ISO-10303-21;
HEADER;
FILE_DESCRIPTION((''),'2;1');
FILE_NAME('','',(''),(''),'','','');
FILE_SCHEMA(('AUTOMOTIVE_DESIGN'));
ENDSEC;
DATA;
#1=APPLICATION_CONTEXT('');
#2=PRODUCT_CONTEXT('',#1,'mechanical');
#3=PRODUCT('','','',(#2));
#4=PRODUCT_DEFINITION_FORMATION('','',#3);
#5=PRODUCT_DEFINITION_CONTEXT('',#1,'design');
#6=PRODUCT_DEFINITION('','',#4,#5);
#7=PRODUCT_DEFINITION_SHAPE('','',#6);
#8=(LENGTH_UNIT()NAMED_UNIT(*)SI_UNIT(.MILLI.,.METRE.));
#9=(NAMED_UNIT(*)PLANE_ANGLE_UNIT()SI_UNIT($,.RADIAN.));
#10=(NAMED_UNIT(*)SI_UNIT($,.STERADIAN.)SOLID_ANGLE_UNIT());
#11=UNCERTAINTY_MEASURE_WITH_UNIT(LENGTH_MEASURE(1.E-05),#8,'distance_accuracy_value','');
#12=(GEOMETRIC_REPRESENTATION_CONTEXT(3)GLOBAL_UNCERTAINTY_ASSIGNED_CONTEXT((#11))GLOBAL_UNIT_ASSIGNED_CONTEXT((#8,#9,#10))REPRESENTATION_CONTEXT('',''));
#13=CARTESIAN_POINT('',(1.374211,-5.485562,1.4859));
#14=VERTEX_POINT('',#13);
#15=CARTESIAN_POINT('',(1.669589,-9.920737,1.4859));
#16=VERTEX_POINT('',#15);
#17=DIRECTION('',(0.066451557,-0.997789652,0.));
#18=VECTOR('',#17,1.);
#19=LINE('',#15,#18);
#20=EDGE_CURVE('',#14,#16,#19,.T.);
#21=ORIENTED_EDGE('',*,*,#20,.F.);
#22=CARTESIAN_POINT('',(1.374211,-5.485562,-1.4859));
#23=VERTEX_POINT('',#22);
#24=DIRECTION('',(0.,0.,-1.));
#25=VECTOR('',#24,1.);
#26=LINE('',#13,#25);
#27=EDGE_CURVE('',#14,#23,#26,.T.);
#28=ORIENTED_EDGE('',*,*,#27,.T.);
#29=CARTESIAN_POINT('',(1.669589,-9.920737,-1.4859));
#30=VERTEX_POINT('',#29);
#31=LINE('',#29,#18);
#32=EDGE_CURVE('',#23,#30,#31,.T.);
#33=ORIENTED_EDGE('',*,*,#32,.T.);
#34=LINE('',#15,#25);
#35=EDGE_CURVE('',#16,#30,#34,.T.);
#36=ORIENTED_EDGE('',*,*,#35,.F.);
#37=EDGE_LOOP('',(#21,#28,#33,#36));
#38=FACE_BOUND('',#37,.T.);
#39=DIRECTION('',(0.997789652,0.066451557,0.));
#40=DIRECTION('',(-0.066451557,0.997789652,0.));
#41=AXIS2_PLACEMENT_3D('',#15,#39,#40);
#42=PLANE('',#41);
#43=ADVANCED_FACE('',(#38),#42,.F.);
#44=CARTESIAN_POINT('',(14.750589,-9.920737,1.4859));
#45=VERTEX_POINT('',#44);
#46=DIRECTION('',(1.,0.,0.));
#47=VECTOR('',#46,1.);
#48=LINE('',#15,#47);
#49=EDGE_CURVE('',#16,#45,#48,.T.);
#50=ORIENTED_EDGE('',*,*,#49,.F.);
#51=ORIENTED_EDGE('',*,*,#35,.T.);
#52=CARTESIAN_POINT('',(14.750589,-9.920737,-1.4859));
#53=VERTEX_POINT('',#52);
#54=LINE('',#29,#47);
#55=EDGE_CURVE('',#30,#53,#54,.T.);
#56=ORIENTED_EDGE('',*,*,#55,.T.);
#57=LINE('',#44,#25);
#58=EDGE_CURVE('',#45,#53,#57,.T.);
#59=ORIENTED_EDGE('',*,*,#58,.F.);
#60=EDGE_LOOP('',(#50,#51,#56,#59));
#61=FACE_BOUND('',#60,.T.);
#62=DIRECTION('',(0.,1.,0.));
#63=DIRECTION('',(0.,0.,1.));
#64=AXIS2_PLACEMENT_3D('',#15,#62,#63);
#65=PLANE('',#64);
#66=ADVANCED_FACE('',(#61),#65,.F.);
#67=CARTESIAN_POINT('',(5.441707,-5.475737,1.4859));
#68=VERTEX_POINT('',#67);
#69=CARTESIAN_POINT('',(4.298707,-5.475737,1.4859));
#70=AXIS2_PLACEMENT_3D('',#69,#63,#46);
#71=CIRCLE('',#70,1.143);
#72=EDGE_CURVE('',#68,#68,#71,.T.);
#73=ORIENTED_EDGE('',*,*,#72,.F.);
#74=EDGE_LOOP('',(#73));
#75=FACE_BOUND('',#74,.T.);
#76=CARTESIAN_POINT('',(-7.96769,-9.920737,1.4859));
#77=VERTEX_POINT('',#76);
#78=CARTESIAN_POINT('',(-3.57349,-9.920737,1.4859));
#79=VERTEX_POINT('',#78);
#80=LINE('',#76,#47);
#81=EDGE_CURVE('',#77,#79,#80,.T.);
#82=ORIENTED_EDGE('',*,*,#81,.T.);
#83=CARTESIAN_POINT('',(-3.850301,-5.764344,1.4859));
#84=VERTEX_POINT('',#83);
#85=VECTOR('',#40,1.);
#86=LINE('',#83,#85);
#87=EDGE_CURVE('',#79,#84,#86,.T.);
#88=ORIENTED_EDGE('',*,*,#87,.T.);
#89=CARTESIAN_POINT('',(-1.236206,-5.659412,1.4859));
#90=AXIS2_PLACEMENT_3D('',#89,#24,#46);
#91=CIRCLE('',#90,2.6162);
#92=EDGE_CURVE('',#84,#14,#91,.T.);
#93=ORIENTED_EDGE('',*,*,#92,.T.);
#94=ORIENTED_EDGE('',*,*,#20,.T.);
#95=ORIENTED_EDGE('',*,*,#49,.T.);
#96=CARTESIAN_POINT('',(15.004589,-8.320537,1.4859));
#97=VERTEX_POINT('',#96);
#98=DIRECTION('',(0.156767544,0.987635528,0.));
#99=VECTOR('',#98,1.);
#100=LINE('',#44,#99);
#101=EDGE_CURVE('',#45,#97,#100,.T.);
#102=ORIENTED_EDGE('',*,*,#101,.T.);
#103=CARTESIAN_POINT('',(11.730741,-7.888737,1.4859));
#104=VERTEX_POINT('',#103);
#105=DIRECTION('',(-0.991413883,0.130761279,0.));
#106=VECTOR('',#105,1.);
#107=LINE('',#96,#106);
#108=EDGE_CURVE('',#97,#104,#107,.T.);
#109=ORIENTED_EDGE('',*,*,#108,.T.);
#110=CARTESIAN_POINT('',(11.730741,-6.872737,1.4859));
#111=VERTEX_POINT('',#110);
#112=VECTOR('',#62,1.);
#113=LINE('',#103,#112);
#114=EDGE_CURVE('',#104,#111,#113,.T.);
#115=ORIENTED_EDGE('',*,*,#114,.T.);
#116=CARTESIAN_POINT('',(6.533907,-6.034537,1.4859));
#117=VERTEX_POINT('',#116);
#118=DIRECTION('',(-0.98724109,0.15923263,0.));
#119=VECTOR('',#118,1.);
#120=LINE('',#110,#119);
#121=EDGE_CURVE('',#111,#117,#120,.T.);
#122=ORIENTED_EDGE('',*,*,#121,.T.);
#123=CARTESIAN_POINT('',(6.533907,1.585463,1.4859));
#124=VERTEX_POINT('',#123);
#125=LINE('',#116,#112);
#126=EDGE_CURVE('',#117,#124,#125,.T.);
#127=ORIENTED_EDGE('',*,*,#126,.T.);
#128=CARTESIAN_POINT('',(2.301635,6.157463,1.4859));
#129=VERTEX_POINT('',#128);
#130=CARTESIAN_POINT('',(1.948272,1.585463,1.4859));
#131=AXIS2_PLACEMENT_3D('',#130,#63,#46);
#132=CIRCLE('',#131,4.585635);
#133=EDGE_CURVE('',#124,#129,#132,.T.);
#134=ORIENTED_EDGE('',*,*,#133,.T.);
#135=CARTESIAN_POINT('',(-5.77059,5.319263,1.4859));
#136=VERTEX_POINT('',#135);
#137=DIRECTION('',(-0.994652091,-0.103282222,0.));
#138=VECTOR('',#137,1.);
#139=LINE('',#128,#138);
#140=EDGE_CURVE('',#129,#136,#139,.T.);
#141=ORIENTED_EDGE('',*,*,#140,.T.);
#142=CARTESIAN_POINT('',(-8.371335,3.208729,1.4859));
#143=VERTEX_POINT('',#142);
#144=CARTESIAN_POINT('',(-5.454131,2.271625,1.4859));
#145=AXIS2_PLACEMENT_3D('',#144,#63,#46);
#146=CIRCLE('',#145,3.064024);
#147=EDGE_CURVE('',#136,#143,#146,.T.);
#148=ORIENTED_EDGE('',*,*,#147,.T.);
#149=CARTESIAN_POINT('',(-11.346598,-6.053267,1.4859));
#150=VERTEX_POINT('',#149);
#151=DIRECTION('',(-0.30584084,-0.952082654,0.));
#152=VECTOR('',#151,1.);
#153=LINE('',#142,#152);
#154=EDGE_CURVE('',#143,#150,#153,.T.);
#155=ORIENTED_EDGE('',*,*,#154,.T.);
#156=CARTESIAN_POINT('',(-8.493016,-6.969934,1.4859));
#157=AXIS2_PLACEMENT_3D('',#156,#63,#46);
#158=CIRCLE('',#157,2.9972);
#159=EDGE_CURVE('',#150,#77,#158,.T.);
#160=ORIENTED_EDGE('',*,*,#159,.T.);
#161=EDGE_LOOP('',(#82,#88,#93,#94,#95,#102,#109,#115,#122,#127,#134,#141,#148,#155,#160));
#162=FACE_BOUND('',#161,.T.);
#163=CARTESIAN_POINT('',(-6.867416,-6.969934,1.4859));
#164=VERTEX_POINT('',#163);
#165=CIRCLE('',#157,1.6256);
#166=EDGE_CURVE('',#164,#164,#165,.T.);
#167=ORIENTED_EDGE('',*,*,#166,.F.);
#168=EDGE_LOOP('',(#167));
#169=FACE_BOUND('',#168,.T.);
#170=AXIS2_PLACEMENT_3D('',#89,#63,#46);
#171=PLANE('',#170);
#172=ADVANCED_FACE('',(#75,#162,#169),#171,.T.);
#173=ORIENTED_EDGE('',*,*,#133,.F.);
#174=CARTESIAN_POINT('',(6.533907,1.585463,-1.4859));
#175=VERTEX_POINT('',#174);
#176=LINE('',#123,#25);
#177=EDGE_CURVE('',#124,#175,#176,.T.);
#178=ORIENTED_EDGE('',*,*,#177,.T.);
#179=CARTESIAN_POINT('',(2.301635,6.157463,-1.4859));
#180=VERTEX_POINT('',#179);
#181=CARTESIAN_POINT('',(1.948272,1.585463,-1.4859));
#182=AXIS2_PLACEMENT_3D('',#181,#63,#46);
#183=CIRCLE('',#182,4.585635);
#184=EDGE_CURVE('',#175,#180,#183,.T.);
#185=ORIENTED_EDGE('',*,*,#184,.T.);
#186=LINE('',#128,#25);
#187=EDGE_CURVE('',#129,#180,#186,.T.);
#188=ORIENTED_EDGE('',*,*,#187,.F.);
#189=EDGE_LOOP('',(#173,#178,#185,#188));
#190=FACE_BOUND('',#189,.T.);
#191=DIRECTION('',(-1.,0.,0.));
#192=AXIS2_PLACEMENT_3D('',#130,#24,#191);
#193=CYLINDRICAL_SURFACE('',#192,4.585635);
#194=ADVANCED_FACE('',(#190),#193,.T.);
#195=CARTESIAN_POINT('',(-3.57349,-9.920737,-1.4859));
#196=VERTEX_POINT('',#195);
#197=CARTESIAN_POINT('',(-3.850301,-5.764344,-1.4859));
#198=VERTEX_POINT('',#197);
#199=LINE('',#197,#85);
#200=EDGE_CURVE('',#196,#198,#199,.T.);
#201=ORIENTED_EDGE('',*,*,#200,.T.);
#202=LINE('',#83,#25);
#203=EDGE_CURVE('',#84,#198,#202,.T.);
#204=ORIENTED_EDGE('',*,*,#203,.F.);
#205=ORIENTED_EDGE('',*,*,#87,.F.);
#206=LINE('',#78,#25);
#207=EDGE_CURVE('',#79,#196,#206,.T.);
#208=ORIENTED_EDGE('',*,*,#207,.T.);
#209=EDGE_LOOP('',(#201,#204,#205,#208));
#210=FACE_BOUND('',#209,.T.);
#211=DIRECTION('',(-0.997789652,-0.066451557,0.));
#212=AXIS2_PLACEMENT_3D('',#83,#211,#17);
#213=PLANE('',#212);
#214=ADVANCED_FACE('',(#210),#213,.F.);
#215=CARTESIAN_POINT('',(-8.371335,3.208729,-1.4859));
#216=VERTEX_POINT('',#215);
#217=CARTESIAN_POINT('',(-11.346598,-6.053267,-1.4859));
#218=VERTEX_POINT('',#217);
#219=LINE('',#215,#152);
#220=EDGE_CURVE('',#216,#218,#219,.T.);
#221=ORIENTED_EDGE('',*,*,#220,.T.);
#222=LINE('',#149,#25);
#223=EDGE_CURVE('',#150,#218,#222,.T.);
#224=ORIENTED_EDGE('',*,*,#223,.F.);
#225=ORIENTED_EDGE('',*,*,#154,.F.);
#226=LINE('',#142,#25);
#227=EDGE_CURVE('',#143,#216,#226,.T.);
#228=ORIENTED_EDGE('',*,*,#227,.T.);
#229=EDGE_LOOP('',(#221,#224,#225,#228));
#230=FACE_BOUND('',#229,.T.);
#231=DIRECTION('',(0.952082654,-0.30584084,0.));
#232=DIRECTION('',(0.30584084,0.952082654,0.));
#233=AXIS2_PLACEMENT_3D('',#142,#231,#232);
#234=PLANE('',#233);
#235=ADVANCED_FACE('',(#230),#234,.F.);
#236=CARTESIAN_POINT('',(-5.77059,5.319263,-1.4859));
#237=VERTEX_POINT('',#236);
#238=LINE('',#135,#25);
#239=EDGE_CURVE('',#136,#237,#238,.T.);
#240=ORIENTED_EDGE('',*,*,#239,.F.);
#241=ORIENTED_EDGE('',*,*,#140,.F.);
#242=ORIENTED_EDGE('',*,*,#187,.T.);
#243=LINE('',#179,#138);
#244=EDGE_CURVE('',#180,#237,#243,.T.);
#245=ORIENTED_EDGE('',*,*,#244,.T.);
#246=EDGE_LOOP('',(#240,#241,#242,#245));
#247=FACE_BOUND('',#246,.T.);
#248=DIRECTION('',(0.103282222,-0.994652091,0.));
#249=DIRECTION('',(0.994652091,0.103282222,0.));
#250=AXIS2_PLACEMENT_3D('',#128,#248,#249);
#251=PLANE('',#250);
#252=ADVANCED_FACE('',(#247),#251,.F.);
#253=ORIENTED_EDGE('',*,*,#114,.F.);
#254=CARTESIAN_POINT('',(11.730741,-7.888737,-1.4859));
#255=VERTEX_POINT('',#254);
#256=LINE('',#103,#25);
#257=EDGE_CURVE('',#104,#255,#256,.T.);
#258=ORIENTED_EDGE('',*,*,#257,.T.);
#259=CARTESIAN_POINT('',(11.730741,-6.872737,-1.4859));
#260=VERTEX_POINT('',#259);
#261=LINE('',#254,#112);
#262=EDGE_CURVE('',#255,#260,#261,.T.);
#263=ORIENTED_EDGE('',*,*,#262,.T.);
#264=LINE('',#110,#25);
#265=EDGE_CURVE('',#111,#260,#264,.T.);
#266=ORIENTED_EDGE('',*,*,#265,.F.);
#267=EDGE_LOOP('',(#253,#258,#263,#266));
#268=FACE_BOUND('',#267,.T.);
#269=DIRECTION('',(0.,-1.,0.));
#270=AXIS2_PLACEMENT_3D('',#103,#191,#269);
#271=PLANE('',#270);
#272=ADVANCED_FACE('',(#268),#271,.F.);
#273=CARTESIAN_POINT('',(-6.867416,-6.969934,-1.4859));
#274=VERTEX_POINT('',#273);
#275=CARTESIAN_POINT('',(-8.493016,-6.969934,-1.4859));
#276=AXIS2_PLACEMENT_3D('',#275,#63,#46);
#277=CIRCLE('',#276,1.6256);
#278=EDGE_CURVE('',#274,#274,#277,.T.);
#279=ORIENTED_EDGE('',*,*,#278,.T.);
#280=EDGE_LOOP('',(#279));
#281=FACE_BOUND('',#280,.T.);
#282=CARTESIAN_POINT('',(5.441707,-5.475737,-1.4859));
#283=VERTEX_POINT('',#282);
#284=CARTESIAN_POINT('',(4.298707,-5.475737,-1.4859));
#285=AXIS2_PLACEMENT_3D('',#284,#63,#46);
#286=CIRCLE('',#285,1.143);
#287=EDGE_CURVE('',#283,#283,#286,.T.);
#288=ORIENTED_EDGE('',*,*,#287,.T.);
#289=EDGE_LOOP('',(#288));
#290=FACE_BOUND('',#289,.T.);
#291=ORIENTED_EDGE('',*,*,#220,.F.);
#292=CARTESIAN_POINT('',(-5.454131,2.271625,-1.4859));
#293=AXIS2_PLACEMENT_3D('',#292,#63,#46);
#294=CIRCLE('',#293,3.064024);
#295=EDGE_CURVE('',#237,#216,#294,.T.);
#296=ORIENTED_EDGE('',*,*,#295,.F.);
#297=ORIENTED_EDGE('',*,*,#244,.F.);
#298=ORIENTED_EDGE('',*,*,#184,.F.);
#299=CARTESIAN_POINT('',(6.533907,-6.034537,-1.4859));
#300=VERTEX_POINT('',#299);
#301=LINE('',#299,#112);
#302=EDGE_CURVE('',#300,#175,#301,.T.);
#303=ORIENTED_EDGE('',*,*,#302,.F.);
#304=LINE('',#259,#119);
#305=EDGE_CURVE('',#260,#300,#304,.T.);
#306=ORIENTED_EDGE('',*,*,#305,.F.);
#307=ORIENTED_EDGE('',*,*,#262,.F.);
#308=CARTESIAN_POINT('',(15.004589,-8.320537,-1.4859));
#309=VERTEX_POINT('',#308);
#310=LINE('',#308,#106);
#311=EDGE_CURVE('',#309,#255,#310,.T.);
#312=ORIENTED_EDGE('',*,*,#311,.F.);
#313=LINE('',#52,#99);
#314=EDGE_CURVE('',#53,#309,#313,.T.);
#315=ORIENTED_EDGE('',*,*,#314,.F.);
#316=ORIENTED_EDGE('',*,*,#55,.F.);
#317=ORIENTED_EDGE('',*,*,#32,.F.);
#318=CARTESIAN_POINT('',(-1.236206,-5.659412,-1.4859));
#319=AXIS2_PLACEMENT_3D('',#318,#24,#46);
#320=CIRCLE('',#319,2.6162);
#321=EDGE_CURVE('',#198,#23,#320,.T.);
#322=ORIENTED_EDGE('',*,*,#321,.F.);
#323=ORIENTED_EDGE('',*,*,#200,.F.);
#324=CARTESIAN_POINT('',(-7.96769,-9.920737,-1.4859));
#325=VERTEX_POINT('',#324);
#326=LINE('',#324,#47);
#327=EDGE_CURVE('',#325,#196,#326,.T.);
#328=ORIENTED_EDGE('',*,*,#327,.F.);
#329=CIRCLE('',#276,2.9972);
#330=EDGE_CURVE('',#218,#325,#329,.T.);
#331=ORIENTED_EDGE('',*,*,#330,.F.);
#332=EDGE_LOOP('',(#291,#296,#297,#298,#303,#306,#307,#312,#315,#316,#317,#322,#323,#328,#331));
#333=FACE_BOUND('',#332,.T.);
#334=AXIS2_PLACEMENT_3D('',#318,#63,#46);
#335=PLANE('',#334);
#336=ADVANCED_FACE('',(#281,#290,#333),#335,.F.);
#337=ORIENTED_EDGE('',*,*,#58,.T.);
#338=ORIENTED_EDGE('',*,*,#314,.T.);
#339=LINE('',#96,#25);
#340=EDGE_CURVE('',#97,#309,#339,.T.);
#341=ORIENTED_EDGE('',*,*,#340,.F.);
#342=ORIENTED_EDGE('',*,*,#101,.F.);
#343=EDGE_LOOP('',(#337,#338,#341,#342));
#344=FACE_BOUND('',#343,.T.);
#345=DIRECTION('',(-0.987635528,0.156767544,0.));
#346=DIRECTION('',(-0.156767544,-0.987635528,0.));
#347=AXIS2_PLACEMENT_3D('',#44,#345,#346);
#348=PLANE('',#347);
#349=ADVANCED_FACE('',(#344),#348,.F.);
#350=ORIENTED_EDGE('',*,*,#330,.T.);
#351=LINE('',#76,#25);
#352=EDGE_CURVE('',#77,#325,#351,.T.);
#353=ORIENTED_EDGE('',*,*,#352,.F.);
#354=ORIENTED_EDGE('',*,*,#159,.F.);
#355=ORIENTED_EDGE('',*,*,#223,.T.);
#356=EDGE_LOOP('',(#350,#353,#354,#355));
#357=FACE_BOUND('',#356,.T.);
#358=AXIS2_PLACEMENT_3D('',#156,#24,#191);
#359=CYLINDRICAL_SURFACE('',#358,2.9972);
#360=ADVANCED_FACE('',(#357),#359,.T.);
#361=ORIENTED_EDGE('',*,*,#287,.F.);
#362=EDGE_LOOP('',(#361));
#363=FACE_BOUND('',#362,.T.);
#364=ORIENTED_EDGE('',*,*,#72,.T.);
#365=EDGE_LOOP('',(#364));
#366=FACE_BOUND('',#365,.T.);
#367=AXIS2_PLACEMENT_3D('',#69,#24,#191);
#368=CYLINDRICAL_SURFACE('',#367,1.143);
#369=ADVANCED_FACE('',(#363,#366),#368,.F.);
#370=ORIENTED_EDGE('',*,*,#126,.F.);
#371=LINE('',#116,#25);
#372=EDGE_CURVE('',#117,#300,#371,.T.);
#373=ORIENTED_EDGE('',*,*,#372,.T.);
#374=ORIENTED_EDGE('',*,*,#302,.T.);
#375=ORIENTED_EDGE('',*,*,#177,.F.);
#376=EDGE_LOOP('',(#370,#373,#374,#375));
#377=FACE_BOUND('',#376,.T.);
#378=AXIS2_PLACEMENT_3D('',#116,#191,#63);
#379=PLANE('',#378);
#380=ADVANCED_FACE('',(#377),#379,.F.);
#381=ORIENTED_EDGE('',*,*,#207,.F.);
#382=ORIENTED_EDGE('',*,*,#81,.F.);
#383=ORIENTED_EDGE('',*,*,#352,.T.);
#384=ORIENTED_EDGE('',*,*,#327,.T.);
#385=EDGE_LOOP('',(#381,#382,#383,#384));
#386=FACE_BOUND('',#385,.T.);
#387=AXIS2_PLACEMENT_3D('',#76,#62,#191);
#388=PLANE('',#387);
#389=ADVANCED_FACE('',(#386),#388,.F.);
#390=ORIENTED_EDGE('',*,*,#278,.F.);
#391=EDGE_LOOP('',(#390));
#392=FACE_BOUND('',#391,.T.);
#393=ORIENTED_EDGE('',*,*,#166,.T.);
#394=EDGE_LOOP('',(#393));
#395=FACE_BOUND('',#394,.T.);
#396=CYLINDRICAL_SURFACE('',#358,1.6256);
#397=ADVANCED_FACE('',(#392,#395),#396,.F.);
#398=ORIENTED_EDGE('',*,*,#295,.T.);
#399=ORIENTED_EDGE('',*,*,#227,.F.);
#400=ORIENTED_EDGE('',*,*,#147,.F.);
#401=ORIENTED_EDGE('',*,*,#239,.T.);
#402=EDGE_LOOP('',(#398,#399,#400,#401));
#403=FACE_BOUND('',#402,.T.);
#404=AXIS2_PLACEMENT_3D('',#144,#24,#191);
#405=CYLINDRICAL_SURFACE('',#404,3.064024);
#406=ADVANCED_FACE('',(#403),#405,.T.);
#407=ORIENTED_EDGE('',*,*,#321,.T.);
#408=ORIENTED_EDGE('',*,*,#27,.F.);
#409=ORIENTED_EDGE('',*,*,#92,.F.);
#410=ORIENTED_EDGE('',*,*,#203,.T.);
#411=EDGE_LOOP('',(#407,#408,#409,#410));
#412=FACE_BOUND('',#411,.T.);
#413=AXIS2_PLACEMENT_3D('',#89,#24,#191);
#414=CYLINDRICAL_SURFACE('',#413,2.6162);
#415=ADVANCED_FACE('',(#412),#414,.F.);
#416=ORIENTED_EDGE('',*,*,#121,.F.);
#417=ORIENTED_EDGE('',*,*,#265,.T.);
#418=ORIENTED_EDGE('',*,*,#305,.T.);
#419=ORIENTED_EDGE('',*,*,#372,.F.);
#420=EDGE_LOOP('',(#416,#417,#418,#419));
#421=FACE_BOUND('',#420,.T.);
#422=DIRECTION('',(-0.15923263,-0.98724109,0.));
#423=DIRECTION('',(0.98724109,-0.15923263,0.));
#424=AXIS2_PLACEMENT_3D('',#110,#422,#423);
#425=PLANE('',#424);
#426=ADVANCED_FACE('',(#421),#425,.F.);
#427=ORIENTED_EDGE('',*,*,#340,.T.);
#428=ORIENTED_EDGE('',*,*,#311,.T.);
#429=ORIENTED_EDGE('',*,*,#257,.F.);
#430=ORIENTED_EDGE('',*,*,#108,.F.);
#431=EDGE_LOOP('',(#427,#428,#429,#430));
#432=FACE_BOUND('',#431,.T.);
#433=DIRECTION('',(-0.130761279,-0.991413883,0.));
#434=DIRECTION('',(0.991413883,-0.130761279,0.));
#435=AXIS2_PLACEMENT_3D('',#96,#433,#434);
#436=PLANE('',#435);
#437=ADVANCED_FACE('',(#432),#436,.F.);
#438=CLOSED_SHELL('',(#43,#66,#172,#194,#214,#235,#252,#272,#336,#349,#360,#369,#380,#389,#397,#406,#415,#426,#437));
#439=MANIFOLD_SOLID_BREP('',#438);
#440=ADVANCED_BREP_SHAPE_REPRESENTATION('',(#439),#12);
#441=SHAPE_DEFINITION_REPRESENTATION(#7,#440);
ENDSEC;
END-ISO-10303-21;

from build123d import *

# Parameters (mm, degrees)
SKETCH2_R           = 1.6256
SKETCH2_R_2         = 1.143
BOSS_EXTRUDE1_DEPTH = 1.4859


with BuildPart() as part:
    # Sketch2 → Boss-Extrude1 (new body, symmetric)
    with BuildSketch(Plane.XY):
        with BuildLine():
            Line((1.669588526, -9.920736917), (14.750588526, -9.920736917))
            Line((14.750588526, -9.920736917), (15.004588526, -8.320536917))
            Line((15.004588526, -8.320536917), (11.730740811, -7.888736917))
            Line((11.730740811, -7.888736917), (11.730740811, -6.872736917))
            Line((11.730740811, -6.872736917), (6.533907217, -6.034536917))
            Line((6.533907217, -6.034536917), (6.533907217, 1.585463083))
            ThreePointArc((6.533907217, 1.585463083), (5.31342025, 4.700559773), (2.301635303, 6.157463083))
            Line((2.301635303, 6.157463083), (-5.77059015, 5.319263083))
            ThreePointArc((-5.77059015, 5.319263083), (-7.384864751, 4.650807821), (-8.371334953, 3.208728953))
            Line((-8.371334953, 3.208728953), (-11.346598434, -6.053267424))
            ThreePointArc((-11.346598434, -6.053267424), (-10.750121538, -8.941908183), (-7.96769015, -9.920736917))
            Line((-7.96769015, -9.920736917), (-3.57349015, -9.920736917))
            Line((-3.57349015, -9.920736917), (-3.850300754, -5.764344341))
            ThreePointArc((-3.850300754, -5.764344341), (-1.375609273, -3.046929144), (1.374211357, -5.485561912))
            Line((1.374211357, -5.485561912), (1.669588526, -9.920736917))
        make_face()
        with Locations((-8.493016303, -6.96993359)):
            Circle(SKETCH2_R, mode=Mode.SUBTRACT)
        with Locations((4.298707217, -5.475736917)):
            Circle(SKETCH2_R_2, mode=Mode.SUBTRACT)
    extrude(amount=BOSS_EXTRUDE1_DEPTH, both=True)


solid = part.part
